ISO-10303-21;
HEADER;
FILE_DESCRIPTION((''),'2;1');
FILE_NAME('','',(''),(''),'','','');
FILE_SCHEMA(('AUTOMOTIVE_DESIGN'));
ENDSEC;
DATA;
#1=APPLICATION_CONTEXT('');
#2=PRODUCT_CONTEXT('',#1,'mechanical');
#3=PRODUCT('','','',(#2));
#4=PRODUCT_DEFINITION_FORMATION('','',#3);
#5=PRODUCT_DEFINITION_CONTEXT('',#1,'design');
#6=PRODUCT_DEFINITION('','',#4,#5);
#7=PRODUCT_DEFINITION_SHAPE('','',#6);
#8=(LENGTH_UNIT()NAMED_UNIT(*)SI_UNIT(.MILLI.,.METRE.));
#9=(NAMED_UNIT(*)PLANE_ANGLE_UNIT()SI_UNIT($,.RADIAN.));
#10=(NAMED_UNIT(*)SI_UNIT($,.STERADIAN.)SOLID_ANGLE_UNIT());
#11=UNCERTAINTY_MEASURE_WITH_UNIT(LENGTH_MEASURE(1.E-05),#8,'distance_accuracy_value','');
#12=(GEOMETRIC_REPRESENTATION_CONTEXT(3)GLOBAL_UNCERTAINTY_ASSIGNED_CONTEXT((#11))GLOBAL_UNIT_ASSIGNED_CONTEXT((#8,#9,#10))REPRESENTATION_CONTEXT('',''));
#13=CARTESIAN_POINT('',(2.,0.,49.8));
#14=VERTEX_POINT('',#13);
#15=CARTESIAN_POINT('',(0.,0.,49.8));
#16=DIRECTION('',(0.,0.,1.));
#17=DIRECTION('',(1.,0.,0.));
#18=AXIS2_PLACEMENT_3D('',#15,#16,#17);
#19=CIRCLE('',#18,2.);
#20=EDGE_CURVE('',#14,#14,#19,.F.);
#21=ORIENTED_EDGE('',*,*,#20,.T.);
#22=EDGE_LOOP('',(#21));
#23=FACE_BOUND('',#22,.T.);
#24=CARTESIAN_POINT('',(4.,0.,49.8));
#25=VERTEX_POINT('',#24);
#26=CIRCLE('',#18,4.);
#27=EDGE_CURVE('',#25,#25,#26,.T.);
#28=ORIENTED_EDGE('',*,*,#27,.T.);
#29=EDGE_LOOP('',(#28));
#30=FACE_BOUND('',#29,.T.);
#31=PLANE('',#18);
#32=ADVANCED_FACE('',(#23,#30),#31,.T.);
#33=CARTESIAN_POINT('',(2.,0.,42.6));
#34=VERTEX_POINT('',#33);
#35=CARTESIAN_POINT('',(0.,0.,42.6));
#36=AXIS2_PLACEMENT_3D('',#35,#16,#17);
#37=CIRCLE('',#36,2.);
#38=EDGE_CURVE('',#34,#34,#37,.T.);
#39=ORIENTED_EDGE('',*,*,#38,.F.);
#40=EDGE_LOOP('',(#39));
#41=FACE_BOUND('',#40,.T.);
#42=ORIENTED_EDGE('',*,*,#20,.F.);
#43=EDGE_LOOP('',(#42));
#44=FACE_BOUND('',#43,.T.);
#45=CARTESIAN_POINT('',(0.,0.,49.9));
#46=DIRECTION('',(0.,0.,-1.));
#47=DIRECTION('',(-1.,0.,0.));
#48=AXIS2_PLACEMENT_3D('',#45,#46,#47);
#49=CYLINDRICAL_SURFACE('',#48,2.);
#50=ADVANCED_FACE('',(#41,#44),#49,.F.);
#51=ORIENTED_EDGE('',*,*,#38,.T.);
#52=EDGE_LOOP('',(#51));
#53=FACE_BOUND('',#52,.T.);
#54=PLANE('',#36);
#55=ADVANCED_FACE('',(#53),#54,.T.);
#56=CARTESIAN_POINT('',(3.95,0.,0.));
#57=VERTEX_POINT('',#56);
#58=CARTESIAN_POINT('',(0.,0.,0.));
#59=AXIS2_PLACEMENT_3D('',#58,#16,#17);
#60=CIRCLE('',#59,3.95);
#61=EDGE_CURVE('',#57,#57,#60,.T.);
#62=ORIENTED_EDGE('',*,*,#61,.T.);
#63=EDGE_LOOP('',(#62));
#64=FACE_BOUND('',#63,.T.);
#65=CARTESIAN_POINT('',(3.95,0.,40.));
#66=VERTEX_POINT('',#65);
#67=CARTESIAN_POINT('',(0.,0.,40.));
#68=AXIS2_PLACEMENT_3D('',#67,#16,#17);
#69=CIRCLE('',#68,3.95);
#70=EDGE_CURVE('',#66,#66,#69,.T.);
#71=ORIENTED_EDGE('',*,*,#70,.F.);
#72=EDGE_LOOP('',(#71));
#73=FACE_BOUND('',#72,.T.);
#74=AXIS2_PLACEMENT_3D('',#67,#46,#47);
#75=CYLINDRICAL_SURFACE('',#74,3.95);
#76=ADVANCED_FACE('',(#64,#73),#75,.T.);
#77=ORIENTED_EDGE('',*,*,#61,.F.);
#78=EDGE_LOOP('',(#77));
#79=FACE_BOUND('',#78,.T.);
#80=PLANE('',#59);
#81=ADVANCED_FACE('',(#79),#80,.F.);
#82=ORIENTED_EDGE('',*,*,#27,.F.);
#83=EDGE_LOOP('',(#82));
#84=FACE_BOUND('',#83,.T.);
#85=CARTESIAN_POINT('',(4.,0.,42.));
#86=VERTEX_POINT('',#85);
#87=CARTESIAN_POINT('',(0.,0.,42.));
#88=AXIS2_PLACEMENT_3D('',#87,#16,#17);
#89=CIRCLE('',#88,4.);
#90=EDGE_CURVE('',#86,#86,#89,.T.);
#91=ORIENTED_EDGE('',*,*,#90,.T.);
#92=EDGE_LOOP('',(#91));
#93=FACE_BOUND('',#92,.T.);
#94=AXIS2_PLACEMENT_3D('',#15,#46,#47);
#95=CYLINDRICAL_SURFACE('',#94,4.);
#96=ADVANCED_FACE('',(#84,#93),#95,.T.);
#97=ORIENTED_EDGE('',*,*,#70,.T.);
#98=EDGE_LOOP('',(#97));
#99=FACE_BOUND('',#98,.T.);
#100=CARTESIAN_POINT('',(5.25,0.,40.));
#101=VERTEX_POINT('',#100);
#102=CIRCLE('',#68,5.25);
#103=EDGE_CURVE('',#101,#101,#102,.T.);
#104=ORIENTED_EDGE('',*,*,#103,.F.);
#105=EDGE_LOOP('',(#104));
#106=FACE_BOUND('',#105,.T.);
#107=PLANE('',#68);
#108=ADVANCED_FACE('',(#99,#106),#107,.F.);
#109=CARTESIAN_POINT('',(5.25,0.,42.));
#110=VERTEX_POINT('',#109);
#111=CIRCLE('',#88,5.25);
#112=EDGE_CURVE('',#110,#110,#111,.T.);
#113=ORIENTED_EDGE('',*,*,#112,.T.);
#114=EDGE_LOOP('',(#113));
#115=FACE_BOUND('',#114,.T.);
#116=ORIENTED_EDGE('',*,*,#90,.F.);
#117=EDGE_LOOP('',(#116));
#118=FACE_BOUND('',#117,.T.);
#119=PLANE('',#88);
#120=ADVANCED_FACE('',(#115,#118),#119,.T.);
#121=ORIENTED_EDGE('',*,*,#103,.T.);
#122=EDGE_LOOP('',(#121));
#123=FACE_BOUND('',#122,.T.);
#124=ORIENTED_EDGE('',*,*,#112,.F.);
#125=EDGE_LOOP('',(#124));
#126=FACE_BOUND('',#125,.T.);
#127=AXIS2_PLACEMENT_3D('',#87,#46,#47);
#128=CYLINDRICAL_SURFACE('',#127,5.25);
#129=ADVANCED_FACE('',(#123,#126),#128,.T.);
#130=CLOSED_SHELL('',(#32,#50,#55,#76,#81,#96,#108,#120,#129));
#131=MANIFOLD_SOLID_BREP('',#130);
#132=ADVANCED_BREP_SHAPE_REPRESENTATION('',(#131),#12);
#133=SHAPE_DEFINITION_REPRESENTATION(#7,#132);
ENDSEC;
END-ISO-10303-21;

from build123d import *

# Parameters (mm, degrees)
S01_PRINTABLE_SLIDING_PIN_7_90_MM_R            = 3.95
F_01_PRINTABLE_SLIDING_PIN_7_90_MM_DEPTH       = 40
F_02_START                                     = 40
S02_RECESSED_LOAD_SHOULDER_R                   = 5.25
F_02_RECESSED_LOAD_SHOULDER_DEPTH              = 2
F_03_START                                     = 42
S03_LOCATING_PILOT_THROUGH_SWING_ARM_R         = 4
F_03_LOCATING_PILOT_THROUGH_SWING_ARM_DEPTH    = 7.8
F_04_START                                     = 42.6
S04_M3_HEAT_SET_POCKET_IN_SUPPORTED_RO_R       = 2
F_04_M3_HEAT_SET_POCKET_IN_SUPPORTED_ROO_DEPTH = 7.3


with BuildPart() as part:
    # S01 - Printable sliding pin - 7.90 mm → 01 - Printable sliding pin - 7.90 mm (new body)
    with BuildSketch(Plane.XY):
        Circle(S01_PRINTABLE_SLIDING_PIN_7_90_MM_R)
    extrude(amount=F_01_PRINTABLE_SLIDING_PIN_7_90_MM_DEPTH)

    # S02 - Recessed load shoulder → 02 - Recessed load shoulder (add)
    with BuildSketch(Plane.XY.offset(F_02_START)):
        Circle(S02_RECESSED_LOAD_SHOULDER_R)
    extrude(amount=F_02_RECESSED_LOAD_SHOULDER_DEPTH)

    # S03 - Locating pilot through swing arm → 03 - Locating pilot through swing arm (add)
    with BuildSketch(Plane.XY.offset(F_03_START)):
        Circle(S03_LOCATING_PILOT_THROUGH_SWING_ARM_R)
    extrude(amount=F_03_LOCATING_PILOT_THROUGH_SWING_ARM_DEPTH)

    # S04 - M3 heat-set pocket in supported root → 04 - M3 heat-set pocket in supported root (cut)
    with BuildSketch(Plane.XY.offset(F_04_START)):
        Circle(S04_M3_HEAT_SET_POCKET_IN_SUPPORTED_RO_R)
    extrude(amount=F_04_M3_HEAT_SET_POCKET_IN_SUPPORTED_ROO_DEPTH, mode=Mode.SUBTRACT)


solid = part.part
